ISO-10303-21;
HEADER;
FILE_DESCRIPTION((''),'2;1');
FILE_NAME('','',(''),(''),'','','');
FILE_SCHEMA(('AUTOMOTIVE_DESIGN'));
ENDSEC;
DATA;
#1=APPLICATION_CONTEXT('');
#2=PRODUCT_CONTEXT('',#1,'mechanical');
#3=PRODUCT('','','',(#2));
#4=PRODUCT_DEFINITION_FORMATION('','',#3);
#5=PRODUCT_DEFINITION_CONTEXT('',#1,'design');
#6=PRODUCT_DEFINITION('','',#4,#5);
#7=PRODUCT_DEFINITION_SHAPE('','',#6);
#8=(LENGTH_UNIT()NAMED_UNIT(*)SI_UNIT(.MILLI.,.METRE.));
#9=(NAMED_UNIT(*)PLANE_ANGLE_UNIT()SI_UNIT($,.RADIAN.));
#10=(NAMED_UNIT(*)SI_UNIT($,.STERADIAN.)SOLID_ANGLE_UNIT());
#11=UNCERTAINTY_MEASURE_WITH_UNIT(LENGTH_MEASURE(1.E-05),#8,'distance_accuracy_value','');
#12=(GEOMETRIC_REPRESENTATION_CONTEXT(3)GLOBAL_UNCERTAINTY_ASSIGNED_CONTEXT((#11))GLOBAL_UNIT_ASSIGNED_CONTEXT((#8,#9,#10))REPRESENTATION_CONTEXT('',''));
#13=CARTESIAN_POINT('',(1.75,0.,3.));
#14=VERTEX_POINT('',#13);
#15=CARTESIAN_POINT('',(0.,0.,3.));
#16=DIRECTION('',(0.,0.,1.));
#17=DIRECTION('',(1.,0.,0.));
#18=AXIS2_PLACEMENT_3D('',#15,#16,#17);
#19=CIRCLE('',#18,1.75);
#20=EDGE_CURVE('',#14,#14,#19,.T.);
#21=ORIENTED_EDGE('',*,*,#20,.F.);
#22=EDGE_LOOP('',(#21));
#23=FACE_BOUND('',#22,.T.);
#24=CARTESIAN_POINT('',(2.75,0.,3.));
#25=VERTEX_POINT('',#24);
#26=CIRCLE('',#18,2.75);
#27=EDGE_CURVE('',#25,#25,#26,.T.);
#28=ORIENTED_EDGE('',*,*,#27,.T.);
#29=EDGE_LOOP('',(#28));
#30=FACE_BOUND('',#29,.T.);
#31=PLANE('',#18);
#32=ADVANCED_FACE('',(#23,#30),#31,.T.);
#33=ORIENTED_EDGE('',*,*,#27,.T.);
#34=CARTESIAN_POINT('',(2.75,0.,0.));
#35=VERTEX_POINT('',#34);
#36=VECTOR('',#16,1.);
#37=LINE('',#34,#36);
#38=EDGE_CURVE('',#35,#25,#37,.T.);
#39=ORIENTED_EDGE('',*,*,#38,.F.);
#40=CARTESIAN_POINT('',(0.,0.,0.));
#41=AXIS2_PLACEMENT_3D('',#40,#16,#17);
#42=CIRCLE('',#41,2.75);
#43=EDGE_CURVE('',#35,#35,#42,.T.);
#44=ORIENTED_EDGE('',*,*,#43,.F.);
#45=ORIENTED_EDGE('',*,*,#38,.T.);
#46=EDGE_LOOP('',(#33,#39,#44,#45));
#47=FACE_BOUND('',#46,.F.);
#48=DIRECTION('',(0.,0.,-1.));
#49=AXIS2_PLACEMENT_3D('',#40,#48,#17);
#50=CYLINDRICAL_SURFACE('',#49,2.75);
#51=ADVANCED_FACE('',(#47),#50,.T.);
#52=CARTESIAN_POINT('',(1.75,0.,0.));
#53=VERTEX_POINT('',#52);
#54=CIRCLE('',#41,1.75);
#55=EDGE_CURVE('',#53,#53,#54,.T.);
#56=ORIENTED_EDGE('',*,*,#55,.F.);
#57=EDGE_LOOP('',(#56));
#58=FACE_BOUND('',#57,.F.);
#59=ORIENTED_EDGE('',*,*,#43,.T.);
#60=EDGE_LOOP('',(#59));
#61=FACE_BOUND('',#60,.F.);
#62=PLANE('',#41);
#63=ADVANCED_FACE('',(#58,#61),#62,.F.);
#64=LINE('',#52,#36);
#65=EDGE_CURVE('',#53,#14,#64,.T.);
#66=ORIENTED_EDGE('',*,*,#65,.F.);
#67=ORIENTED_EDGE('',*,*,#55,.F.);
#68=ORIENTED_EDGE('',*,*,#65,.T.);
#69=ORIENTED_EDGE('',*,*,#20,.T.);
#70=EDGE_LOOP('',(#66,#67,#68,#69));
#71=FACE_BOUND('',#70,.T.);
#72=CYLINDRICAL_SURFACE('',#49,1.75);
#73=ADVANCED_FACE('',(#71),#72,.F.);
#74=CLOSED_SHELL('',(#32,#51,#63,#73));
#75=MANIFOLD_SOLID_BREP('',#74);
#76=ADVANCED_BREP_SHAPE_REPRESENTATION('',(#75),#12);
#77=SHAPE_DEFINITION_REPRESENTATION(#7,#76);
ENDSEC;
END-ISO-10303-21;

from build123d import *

# Parameters (mm, degrees)
CYLINDER001_R     = 1.75
CYLINDER001_DEPTH = 3
CYLINDER_R        = 2.75
CYLINDER_DEPTH    = 3


with BuildPart() as interior:
    # Cylinder001 → Cylinder001 (new body)
    with BuildSketch(Plane.XY):
        Circle(CYLINDER001_R)
    extrude(amount=CYLINDER001_DEPTH)


with BuildPart() as spacer:
    # Cylinder → Cylinder (new body)
    with BuildSketch(Plane.XY):
        Circle(CYLINDER_R)
    extrude(amount=CYLINDER_DEPTH)

    # Cut: cut interior
    add(interior.part, mode=Mode.SUBTRACT)


solid = spacer.part
